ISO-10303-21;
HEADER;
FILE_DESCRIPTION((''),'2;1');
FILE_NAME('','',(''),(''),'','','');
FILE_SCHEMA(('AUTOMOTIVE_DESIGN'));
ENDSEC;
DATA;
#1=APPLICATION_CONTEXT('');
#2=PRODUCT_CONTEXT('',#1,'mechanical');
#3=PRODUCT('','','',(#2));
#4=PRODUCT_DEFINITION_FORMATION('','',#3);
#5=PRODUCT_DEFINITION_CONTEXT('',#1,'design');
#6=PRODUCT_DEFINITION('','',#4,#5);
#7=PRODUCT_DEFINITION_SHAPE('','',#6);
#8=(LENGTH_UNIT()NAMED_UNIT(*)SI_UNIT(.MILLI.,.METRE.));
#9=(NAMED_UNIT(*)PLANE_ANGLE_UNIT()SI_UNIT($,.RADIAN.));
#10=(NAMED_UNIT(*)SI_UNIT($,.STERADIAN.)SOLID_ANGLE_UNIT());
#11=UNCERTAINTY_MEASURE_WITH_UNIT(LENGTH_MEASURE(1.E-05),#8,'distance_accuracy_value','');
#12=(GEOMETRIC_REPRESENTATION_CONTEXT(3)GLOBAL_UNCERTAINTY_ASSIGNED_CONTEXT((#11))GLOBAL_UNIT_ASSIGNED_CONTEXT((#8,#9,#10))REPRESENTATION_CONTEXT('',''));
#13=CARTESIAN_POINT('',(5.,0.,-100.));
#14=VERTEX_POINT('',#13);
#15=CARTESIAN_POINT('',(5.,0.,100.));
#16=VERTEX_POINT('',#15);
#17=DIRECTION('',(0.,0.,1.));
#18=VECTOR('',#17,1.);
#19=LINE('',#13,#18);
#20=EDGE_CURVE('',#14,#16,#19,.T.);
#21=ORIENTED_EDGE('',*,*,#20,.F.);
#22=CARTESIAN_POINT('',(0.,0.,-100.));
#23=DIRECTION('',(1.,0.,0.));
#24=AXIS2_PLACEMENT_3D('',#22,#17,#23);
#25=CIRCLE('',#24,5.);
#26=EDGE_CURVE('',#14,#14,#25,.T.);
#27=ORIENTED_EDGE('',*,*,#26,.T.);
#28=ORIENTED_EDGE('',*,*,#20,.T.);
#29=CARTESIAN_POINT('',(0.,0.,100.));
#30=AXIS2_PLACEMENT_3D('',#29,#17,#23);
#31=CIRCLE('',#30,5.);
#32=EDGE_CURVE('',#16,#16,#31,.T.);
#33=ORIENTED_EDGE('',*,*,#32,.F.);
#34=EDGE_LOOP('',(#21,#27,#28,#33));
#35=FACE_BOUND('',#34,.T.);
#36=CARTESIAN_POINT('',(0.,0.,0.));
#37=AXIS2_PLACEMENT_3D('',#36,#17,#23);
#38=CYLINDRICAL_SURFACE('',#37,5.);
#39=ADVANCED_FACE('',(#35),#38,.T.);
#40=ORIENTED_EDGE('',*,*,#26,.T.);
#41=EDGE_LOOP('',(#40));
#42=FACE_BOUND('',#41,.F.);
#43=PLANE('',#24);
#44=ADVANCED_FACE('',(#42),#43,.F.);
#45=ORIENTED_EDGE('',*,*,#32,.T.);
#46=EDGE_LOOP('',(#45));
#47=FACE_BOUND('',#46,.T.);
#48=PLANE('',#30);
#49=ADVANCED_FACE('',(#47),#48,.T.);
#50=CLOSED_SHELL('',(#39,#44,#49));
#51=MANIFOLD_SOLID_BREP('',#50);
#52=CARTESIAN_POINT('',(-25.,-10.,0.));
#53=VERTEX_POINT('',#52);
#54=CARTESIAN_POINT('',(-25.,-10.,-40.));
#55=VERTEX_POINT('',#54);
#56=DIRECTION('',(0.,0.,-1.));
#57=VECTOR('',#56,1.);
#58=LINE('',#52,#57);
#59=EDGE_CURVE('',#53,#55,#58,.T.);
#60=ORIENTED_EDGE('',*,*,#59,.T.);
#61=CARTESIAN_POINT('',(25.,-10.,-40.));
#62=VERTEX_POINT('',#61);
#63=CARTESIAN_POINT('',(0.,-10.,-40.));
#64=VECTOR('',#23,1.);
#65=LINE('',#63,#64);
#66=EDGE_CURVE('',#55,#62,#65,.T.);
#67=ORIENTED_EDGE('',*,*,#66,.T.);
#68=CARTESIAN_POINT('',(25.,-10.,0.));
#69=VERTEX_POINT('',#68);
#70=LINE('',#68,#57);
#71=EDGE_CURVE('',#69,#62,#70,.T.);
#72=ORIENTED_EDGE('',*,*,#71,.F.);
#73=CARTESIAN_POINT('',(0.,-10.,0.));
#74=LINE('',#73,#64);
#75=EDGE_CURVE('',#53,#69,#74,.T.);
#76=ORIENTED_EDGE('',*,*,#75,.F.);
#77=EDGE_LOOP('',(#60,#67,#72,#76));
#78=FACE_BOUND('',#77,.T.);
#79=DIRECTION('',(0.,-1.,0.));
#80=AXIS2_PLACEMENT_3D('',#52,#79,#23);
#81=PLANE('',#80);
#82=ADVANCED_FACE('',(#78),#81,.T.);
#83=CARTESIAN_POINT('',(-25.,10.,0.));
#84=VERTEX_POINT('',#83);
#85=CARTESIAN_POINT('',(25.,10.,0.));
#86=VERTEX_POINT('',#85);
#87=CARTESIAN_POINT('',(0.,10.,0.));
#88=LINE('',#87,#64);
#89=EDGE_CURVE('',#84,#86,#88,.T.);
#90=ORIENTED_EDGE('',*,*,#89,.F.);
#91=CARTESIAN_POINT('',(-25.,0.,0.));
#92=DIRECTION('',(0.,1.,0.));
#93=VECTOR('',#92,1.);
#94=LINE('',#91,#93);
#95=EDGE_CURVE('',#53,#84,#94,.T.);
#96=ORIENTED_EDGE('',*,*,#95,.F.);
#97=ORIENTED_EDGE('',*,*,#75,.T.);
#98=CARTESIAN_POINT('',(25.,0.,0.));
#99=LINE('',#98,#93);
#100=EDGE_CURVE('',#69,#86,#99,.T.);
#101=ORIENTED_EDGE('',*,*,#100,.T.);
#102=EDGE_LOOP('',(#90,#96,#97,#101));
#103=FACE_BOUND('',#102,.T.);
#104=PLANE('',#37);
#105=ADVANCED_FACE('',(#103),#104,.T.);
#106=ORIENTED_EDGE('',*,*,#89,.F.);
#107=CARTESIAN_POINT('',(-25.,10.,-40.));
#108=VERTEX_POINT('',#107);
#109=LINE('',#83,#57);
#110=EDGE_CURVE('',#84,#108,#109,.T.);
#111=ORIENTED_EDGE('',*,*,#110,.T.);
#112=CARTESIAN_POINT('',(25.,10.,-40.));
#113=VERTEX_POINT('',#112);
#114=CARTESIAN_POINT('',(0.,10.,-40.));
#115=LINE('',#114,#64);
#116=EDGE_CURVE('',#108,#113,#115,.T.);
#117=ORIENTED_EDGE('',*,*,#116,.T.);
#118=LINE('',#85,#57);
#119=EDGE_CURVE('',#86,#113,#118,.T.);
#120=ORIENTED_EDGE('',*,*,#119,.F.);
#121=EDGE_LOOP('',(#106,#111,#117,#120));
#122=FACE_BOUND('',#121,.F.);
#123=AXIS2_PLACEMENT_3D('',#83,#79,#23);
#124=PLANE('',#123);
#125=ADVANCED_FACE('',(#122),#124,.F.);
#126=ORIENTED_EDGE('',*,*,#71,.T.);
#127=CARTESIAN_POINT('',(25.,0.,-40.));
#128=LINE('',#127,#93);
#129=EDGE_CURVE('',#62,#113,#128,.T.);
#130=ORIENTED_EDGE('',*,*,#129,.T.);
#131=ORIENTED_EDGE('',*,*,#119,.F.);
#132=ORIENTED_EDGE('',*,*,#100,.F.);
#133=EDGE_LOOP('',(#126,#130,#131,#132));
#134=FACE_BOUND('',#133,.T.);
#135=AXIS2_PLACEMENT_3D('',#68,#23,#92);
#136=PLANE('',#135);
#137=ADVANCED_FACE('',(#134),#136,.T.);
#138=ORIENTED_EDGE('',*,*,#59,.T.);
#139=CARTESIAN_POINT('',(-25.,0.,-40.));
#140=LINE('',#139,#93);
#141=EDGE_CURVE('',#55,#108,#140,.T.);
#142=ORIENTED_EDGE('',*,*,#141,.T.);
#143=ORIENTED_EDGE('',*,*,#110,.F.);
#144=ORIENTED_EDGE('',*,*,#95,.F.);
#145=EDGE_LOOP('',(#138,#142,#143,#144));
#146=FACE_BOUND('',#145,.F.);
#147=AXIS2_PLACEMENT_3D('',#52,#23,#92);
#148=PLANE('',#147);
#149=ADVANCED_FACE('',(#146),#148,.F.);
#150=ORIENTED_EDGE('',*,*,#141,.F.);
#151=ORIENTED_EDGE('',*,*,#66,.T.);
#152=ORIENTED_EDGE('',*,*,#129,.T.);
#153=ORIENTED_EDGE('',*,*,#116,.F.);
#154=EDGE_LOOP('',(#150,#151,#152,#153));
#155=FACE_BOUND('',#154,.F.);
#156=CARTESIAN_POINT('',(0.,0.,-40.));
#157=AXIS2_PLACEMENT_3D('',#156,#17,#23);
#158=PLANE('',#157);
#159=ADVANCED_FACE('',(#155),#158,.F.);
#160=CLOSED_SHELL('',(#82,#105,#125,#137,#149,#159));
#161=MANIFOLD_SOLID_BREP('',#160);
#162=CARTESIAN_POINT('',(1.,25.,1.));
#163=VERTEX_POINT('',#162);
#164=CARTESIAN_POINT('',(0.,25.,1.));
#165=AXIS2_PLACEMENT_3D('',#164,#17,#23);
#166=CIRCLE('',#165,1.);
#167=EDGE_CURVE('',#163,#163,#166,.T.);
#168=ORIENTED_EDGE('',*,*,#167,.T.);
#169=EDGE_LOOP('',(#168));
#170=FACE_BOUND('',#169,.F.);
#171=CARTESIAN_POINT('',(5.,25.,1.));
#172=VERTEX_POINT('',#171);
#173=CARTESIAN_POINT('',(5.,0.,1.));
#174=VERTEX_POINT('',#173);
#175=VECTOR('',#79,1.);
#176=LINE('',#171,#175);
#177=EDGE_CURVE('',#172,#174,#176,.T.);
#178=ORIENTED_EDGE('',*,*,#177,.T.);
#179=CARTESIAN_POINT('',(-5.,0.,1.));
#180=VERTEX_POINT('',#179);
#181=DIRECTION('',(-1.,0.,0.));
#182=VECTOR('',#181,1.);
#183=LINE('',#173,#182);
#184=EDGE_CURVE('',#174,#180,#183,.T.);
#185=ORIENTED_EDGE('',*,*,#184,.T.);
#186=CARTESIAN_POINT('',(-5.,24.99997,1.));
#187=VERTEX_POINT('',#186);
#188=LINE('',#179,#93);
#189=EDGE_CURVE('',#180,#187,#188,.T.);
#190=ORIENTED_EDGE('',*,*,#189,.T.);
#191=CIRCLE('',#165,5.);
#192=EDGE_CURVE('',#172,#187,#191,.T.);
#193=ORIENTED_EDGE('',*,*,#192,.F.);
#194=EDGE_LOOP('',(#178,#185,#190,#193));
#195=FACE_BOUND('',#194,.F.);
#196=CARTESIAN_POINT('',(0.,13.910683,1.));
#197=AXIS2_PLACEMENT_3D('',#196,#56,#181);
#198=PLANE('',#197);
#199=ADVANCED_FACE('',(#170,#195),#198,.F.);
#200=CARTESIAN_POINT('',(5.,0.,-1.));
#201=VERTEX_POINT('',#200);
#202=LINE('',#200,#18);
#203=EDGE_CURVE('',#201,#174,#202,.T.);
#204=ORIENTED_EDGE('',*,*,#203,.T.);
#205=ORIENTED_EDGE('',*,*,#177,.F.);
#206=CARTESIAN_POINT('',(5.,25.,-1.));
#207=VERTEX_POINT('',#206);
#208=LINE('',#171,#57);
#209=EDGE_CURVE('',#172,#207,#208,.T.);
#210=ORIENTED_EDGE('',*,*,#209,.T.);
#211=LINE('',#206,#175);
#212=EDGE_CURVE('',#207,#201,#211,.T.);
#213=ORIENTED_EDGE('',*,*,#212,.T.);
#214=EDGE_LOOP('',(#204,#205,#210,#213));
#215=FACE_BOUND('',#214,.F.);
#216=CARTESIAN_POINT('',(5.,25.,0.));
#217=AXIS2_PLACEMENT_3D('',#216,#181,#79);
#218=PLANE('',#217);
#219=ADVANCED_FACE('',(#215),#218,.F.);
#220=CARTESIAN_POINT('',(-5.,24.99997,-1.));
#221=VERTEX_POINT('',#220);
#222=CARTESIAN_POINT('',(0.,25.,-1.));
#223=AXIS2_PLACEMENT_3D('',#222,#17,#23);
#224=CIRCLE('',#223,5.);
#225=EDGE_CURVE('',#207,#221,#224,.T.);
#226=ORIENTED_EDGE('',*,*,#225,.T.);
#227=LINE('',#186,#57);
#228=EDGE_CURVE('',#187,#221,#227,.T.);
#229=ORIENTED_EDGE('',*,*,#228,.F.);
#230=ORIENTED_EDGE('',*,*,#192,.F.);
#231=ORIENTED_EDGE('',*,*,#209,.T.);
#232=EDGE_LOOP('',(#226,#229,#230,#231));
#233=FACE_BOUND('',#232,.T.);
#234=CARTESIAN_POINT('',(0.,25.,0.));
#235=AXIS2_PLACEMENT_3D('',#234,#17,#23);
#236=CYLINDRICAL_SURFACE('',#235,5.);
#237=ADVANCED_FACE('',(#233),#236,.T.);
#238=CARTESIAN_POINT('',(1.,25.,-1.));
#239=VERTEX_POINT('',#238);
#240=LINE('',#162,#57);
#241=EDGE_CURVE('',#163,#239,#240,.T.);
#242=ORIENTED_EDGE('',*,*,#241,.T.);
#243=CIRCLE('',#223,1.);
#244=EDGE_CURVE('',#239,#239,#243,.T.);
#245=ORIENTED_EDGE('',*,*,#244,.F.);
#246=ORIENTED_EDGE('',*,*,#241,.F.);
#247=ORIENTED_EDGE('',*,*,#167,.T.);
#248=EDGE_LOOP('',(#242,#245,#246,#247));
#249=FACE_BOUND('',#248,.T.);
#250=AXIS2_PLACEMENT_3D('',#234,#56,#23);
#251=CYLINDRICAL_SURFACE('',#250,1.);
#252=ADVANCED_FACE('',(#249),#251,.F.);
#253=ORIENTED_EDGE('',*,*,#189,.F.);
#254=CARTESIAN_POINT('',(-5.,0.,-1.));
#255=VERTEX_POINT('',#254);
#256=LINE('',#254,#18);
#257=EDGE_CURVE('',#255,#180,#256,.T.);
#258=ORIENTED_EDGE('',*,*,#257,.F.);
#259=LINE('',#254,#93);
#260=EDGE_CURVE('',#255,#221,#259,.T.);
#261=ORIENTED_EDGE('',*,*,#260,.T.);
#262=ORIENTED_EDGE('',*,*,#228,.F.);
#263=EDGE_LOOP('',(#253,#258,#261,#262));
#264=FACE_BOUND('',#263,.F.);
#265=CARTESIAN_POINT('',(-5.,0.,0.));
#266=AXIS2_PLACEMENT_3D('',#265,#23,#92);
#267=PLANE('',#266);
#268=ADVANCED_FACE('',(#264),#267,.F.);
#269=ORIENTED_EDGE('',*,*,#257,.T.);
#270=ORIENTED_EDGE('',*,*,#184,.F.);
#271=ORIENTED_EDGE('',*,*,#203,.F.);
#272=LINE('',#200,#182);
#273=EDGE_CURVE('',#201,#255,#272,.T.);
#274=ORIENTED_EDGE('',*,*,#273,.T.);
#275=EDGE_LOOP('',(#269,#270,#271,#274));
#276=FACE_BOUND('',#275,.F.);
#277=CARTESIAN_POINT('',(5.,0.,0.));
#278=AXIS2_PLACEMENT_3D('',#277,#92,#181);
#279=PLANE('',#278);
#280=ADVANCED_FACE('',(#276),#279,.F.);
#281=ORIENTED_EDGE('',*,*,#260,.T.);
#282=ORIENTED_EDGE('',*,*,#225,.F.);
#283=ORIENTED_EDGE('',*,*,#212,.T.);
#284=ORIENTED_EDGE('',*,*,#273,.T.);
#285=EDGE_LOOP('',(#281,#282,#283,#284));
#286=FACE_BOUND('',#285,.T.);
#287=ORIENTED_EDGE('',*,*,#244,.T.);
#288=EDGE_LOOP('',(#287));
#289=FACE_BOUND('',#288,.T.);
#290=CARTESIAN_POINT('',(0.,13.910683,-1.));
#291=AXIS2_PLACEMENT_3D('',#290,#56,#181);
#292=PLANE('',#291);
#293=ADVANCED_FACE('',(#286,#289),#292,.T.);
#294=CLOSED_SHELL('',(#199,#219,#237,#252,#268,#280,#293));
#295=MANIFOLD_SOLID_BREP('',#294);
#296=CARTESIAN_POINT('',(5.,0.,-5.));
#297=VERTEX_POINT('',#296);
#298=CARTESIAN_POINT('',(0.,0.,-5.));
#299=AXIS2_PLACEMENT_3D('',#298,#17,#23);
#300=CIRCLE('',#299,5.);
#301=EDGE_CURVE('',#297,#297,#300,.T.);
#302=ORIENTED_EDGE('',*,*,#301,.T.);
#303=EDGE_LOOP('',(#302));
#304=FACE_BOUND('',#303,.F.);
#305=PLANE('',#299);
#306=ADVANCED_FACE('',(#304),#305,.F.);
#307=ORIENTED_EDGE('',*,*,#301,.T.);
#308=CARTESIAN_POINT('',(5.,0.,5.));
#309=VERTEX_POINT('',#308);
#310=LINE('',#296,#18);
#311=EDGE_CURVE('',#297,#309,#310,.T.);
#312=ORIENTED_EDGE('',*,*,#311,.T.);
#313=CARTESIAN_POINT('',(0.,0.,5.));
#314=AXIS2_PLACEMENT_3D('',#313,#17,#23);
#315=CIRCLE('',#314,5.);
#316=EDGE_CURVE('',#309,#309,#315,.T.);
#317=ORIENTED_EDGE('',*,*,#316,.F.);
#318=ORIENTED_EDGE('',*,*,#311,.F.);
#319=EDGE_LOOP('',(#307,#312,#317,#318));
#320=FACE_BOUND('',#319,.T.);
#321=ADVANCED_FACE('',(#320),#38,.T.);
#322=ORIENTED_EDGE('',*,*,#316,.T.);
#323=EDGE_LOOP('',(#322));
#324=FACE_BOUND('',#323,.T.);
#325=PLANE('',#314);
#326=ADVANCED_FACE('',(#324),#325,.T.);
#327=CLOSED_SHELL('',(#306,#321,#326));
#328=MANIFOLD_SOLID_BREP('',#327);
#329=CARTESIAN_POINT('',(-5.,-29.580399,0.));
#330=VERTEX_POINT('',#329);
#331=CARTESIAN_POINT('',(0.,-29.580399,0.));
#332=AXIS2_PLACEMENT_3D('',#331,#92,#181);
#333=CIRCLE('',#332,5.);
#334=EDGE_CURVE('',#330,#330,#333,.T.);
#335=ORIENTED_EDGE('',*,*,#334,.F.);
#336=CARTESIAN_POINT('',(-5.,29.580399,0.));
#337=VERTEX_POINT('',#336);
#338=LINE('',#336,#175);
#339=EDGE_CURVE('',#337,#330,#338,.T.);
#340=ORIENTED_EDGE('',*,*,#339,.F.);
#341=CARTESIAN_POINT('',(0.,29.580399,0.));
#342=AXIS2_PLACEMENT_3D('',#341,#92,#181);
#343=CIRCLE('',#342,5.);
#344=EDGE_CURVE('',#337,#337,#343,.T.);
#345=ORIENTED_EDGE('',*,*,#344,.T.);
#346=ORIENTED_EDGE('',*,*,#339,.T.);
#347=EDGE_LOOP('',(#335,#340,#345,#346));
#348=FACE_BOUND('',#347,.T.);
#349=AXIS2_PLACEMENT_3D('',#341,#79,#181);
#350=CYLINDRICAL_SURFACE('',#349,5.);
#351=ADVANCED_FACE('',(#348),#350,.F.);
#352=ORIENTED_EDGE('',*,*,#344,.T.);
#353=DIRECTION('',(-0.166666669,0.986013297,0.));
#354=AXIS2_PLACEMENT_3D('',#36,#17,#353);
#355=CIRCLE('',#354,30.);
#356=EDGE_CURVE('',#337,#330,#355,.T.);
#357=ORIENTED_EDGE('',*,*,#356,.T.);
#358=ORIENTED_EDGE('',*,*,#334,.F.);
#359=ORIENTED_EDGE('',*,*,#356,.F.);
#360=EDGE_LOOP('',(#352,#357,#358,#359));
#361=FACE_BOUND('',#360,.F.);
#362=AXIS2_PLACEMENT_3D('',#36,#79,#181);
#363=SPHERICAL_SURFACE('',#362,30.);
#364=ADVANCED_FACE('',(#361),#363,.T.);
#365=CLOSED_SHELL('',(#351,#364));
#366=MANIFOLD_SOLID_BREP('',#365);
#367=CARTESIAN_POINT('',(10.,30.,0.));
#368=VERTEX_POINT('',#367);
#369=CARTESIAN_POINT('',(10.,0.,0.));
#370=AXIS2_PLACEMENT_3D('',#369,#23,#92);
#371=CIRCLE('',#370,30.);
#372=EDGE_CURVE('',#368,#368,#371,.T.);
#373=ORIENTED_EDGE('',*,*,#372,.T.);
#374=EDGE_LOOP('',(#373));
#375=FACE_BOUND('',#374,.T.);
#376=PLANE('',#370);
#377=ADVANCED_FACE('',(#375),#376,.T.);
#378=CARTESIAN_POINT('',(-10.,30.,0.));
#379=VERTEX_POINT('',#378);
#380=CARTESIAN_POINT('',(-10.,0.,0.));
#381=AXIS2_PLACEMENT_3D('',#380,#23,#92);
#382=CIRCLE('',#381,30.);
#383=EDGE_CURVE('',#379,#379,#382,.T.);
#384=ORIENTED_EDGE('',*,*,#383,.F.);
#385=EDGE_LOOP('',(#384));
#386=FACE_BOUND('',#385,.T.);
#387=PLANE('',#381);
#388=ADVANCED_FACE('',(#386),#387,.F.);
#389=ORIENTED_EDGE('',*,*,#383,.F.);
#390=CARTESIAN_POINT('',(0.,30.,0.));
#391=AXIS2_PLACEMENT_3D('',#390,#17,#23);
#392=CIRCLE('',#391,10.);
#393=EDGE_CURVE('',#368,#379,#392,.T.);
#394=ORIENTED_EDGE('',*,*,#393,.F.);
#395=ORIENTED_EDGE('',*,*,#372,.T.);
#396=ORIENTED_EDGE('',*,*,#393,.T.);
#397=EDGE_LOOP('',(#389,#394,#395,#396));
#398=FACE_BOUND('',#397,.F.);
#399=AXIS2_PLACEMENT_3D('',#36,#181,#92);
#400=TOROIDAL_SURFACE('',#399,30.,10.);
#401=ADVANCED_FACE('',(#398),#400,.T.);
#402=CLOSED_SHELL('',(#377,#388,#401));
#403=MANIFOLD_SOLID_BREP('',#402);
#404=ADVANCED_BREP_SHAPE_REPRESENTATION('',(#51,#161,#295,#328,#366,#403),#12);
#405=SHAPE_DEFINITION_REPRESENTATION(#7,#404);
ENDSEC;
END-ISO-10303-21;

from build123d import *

# Parameters (mm, degrees)
SKETCH001_R  = 5
PAD_DEPTH    = 100
SKETCH005_W  = 50
SKETCH005_H  = 20
PAD003_DEPTH = 40
SKETCH_R     = 1
PAD004_DEPTH = 1
SKETCH006_R  = 5
PAD005_DEPTH = 5


with BuildPart() as rodbody:
    # Sketch001 → Pad (new body, symmetric)
    with BuildSketch(Plane.XY):
        Circle(SKETCH001_R)
    extrude(amount=PAD_DEPTH, both=True)


with BuildPart() as bobbody:
    # Sketch004 → Revolution001 (revolve)
    with BuildSketch(Plane.XY):
        with BuildLine():
            Line((-10, 0), (-10, 30))
            ThreePointArc((10, 30), (0, 40), (-10, 30))
            Line((10, 30), (10, 0))
            Line((10, 0), (-10, 0))
        make_face()
    revolve(axis=Axis((0, 0, 0), (1, 0, 0)))


with BuildPart() as groundbody:
    # Sketch005 → Pad003 (new body)
    with BuildSketch(Plane.XY):
        Rectangle(SKETCH005_W, SKETCH005_H)
    extrude(amount=-PAD003_DEPTH)


with BuildPart() as lugbody:
    # Sketch → Pad004 (new body, symmetric)
    with BuildSketch(Plane.XY):
        with BuildLine():
            Line((-5, 0), (-5, 24.99997))
            ThreePointArc((5, 25), (-1.5e-05, 30), (-5, 24.99997))
            Line((5, 25), (5, 0))
            Line((5, 0), (-5, 0))
        make_face()
        with Locations((0, 25)):
            Circle(SKETCH_R, mode=Mode.SUBTRACT)
    extrude(amount=PAD004_DEPTH, both=True)


with BuildPart() as shortrodbody:
    # Sketch006 → Pad005 (new body, symmetric)
    with BuildSketch(Plane.XY):
        Circle(SKETCH006_R)
    extrude(amount=PAD005_DEPTH, both=True)


with BuildPart() as weight:
    # Sketch007 → Revolution (revolve)
    with BuildSketch(Plane.XY):
        with BuildLine():
            ThreePointArc((-5, 29.580399), (-30, 0), (-5, -29.580399))
            Line((-5, 29.580399), (-5, -29.580399))
        make_face()
    revolve(axis=Axis((0, 0, 0), (0, 1, 0)))


solid = Compound([rodbody.part, bobbody.part, groundbody.part, lugbody.part, shortrodbody.part, weight.part])
